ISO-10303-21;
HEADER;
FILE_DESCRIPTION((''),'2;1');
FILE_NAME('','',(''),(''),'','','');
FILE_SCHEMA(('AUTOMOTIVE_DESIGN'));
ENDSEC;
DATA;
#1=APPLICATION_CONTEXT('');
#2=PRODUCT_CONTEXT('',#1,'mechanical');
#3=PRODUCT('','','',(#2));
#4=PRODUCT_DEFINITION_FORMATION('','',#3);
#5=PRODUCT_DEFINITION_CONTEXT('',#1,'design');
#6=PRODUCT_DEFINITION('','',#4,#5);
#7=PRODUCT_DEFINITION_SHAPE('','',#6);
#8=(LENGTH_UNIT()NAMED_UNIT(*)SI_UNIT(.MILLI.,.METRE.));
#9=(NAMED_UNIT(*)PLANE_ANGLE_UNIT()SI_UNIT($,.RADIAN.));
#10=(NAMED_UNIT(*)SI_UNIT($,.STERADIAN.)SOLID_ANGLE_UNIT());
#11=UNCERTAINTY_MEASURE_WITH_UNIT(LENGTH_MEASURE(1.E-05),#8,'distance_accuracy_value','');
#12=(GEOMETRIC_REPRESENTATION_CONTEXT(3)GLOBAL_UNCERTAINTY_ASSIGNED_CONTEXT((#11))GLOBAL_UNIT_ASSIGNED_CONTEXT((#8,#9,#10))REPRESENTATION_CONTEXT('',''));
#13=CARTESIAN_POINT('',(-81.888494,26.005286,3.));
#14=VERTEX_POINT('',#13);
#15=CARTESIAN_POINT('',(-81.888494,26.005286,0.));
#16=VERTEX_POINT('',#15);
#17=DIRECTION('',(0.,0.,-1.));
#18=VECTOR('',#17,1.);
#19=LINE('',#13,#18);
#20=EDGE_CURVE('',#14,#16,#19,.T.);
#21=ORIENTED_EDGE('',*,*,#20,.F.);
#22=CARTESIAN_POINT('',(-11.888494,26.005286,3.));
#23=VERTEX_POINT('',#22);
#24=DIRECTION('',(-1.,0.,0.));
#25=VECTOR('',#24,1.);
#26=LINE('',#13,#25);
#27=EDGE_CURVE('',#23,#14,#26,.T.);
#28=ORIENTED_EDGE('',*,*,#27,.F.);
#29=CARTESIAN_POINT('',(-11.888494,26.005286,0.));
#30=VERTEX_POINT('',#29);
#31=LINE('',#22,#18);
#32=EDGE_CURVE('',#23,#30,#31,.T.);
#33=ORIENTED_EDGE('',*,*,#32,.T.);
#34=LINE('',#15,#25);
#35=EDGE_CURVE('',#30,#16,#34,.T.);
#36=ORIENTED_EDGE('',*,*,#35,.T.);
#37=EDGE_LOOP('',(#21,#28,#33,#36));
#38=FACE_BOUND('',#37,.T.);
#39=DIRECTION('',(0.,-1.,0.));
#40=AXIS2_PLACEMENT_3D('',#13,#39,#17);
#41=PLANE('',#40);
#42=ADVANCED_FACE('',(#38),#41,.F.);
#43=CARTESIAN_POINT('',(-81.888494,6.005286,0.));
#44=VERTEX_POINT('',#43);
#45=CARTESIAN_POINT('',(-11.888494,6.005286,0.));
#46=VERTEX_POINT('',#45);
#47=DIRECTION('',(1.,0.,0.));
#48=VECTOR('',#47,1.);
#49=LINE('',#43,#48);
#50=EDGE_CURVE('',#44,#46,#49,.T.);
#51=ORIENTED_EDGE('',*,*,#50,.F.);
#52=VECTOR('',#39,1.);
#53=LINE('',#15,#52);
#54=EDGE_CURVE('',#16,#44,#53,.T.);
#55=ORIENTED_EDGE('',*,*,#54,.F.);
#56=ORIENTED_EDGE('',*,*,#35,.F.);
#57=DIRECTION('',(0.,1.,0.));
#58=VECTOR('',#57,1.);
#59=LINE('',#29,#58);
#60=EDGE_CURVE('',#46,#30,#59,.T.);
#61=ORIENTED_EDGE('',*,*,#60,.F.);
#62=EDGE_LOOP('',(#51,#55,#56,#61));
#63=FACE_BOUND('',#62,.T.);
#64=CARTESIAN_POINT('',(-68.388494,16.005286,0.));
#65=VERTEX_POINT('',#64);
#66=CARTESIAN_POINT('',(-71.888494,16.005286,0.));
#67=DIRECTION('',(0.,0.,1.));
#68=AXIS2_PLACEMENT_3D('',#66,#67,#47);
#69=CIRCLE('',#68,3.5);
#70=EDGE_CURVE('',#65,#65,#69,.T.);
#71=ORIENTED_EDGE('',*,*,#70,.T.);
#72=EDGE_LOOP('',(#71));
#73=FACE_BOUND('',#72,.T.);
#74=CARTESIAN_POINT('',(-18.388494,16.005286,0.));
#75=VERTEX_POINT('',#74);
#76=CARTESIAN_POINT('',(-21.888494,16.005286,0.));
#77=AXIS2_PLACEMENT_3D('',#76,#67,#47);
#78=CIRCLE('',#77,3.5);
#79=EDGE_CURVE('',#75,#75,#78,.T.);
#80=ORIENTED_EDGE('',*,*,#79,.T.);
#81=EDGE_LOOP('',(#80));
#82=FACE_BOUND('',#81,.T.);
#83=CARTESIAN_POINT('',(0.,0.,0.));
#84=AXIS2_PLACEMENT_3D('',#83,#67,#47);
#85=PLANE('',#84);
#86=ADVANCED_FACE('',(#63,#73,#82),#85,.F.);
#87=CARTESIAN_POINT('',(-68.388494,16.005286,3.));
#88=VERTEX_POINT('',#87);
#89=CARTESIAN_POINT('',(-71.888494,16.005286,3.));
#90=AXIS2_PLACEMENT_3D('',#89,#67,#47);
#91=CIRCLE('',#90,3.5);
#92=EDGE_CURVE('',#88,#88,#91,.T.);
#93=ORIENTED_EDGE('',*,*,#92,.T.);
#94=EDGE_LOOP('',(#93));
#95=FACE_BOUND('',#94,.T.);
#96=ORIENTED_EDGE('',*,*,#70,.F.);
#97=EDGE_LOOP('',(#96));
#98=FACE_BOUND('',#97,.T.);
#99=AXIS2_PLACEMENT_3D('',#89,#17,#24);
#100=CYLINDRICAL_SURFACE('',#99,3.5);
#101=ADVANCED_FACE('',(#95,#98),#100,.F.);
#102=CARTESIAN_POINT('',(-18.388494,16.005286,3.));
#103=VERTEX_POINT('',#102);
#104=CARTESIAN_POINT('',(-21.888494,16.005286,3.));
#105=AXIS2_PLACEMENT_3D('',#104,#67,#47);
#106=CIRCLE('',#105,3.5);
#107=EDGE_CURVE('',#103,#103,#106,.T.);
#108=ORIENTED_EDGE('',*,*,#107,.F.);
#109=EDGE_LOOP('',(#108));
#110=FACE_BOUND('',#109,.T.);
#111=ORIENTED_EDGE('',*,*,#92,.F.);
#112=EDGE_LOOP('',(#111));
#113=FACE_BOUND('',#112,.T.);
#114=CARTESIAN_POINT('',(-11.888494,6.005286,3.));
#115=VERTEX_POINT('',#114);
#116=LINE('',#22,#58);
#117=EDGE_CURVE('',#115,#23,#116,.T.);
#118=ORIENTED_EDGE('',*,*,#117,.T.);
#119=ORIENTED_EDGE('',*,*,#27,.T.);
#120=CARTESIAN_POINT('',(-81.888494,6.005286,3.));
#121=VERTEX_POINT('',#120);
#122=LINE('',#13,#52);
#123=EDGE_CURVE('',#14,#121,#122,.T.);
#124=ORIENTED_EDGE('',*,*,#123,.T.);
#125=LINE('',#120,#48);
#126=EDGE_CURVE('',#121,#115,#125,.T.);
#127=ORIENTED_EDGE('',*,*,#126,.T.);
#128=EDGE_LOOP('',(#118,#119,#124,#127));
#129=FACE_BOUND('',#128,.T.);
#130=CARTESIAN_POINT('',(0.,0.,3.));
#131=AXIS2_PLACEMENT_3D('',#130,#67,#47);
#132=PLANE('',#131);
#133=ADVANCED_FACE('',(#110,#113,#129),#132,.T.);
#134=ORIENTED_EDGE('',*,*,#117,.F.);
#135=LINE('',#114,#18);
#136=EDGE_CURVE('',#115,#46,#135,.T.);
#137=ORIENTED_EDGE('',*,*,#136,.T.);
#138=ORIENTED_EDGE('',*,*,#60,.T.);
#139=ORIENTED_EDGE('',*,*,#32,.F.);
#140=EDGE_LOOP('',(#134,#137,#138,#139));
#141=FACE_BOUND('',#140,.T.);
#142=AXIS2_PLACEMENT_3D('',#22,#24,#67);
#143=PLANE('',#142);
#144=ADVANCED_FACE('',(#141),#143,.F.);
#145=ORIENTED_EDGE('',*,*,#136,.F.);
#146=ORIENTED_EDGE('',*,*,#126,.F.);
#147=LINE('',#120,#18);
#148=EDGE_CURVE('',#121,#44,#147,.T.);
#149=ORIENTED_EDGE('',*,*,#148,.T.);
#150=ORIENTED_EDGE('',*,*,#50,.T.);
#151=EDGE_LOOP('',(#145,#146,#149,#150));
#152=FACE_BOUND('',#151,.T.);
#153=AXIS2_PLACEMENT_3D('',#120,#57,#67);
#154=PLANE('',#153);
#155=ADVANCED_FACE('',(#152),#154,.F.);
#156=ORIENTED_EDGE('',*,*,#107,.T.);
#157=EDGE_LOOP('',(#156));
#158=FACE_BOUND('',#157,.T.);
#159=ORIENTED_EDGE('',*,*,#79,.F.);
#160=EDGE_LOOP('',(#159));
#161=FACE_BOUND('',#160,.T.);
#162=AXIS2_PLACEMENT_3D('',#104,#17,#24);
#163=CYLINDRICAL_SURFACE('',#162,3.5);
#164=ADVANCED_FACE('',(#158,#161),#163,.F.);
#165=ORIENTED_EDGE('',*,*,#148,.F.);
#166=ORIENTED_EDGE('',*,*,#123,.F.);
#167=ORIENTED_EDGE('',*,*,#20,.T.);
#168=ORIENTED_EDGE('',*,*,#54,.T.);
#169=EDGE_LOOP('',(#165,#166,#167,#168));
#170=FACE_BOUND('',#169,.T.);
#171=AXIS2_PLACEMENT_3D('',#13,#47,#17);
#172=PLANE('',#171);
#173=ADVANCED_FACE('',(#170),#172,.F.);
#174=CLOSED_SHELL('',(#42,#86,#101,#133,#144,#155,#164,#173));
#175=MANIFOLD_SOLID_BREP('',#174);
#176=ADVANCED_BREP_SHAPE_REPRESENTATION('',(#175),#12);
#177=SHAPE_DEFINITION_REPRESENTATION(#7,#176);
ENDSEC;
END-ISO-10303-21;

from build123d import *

# Parameters (mm, degrees)
CROQUIS1_W              = 70
CROQUIS1_H              = 20
CROQUIS1_R              = 3.5
SALIENTE_EXTRUIR1_DEPTH = 3


with BuildPart() as part:
    # Croquis1 → Saliente-Extruir1 (new body)
    with BuildSketch(Plane.XY):
        with Locations((-46.888493821, 16.005285962)):
            Rectangle(CROQUIS1_W, CROQUIS1_H)
        with Locations((-71.888493821, 16.005285962)):
            Circle(CROQUIS1_R, mode=Mode.SUBTRACT)
        with Locations((-21.888493821, 16.005285962)):
            Circle(CROQUIS1_R, mode=Mode.SUBTRACT)
    extrude(amount=SALIENTE_EXTRUIR1_DEPTH)


solid = part.part
